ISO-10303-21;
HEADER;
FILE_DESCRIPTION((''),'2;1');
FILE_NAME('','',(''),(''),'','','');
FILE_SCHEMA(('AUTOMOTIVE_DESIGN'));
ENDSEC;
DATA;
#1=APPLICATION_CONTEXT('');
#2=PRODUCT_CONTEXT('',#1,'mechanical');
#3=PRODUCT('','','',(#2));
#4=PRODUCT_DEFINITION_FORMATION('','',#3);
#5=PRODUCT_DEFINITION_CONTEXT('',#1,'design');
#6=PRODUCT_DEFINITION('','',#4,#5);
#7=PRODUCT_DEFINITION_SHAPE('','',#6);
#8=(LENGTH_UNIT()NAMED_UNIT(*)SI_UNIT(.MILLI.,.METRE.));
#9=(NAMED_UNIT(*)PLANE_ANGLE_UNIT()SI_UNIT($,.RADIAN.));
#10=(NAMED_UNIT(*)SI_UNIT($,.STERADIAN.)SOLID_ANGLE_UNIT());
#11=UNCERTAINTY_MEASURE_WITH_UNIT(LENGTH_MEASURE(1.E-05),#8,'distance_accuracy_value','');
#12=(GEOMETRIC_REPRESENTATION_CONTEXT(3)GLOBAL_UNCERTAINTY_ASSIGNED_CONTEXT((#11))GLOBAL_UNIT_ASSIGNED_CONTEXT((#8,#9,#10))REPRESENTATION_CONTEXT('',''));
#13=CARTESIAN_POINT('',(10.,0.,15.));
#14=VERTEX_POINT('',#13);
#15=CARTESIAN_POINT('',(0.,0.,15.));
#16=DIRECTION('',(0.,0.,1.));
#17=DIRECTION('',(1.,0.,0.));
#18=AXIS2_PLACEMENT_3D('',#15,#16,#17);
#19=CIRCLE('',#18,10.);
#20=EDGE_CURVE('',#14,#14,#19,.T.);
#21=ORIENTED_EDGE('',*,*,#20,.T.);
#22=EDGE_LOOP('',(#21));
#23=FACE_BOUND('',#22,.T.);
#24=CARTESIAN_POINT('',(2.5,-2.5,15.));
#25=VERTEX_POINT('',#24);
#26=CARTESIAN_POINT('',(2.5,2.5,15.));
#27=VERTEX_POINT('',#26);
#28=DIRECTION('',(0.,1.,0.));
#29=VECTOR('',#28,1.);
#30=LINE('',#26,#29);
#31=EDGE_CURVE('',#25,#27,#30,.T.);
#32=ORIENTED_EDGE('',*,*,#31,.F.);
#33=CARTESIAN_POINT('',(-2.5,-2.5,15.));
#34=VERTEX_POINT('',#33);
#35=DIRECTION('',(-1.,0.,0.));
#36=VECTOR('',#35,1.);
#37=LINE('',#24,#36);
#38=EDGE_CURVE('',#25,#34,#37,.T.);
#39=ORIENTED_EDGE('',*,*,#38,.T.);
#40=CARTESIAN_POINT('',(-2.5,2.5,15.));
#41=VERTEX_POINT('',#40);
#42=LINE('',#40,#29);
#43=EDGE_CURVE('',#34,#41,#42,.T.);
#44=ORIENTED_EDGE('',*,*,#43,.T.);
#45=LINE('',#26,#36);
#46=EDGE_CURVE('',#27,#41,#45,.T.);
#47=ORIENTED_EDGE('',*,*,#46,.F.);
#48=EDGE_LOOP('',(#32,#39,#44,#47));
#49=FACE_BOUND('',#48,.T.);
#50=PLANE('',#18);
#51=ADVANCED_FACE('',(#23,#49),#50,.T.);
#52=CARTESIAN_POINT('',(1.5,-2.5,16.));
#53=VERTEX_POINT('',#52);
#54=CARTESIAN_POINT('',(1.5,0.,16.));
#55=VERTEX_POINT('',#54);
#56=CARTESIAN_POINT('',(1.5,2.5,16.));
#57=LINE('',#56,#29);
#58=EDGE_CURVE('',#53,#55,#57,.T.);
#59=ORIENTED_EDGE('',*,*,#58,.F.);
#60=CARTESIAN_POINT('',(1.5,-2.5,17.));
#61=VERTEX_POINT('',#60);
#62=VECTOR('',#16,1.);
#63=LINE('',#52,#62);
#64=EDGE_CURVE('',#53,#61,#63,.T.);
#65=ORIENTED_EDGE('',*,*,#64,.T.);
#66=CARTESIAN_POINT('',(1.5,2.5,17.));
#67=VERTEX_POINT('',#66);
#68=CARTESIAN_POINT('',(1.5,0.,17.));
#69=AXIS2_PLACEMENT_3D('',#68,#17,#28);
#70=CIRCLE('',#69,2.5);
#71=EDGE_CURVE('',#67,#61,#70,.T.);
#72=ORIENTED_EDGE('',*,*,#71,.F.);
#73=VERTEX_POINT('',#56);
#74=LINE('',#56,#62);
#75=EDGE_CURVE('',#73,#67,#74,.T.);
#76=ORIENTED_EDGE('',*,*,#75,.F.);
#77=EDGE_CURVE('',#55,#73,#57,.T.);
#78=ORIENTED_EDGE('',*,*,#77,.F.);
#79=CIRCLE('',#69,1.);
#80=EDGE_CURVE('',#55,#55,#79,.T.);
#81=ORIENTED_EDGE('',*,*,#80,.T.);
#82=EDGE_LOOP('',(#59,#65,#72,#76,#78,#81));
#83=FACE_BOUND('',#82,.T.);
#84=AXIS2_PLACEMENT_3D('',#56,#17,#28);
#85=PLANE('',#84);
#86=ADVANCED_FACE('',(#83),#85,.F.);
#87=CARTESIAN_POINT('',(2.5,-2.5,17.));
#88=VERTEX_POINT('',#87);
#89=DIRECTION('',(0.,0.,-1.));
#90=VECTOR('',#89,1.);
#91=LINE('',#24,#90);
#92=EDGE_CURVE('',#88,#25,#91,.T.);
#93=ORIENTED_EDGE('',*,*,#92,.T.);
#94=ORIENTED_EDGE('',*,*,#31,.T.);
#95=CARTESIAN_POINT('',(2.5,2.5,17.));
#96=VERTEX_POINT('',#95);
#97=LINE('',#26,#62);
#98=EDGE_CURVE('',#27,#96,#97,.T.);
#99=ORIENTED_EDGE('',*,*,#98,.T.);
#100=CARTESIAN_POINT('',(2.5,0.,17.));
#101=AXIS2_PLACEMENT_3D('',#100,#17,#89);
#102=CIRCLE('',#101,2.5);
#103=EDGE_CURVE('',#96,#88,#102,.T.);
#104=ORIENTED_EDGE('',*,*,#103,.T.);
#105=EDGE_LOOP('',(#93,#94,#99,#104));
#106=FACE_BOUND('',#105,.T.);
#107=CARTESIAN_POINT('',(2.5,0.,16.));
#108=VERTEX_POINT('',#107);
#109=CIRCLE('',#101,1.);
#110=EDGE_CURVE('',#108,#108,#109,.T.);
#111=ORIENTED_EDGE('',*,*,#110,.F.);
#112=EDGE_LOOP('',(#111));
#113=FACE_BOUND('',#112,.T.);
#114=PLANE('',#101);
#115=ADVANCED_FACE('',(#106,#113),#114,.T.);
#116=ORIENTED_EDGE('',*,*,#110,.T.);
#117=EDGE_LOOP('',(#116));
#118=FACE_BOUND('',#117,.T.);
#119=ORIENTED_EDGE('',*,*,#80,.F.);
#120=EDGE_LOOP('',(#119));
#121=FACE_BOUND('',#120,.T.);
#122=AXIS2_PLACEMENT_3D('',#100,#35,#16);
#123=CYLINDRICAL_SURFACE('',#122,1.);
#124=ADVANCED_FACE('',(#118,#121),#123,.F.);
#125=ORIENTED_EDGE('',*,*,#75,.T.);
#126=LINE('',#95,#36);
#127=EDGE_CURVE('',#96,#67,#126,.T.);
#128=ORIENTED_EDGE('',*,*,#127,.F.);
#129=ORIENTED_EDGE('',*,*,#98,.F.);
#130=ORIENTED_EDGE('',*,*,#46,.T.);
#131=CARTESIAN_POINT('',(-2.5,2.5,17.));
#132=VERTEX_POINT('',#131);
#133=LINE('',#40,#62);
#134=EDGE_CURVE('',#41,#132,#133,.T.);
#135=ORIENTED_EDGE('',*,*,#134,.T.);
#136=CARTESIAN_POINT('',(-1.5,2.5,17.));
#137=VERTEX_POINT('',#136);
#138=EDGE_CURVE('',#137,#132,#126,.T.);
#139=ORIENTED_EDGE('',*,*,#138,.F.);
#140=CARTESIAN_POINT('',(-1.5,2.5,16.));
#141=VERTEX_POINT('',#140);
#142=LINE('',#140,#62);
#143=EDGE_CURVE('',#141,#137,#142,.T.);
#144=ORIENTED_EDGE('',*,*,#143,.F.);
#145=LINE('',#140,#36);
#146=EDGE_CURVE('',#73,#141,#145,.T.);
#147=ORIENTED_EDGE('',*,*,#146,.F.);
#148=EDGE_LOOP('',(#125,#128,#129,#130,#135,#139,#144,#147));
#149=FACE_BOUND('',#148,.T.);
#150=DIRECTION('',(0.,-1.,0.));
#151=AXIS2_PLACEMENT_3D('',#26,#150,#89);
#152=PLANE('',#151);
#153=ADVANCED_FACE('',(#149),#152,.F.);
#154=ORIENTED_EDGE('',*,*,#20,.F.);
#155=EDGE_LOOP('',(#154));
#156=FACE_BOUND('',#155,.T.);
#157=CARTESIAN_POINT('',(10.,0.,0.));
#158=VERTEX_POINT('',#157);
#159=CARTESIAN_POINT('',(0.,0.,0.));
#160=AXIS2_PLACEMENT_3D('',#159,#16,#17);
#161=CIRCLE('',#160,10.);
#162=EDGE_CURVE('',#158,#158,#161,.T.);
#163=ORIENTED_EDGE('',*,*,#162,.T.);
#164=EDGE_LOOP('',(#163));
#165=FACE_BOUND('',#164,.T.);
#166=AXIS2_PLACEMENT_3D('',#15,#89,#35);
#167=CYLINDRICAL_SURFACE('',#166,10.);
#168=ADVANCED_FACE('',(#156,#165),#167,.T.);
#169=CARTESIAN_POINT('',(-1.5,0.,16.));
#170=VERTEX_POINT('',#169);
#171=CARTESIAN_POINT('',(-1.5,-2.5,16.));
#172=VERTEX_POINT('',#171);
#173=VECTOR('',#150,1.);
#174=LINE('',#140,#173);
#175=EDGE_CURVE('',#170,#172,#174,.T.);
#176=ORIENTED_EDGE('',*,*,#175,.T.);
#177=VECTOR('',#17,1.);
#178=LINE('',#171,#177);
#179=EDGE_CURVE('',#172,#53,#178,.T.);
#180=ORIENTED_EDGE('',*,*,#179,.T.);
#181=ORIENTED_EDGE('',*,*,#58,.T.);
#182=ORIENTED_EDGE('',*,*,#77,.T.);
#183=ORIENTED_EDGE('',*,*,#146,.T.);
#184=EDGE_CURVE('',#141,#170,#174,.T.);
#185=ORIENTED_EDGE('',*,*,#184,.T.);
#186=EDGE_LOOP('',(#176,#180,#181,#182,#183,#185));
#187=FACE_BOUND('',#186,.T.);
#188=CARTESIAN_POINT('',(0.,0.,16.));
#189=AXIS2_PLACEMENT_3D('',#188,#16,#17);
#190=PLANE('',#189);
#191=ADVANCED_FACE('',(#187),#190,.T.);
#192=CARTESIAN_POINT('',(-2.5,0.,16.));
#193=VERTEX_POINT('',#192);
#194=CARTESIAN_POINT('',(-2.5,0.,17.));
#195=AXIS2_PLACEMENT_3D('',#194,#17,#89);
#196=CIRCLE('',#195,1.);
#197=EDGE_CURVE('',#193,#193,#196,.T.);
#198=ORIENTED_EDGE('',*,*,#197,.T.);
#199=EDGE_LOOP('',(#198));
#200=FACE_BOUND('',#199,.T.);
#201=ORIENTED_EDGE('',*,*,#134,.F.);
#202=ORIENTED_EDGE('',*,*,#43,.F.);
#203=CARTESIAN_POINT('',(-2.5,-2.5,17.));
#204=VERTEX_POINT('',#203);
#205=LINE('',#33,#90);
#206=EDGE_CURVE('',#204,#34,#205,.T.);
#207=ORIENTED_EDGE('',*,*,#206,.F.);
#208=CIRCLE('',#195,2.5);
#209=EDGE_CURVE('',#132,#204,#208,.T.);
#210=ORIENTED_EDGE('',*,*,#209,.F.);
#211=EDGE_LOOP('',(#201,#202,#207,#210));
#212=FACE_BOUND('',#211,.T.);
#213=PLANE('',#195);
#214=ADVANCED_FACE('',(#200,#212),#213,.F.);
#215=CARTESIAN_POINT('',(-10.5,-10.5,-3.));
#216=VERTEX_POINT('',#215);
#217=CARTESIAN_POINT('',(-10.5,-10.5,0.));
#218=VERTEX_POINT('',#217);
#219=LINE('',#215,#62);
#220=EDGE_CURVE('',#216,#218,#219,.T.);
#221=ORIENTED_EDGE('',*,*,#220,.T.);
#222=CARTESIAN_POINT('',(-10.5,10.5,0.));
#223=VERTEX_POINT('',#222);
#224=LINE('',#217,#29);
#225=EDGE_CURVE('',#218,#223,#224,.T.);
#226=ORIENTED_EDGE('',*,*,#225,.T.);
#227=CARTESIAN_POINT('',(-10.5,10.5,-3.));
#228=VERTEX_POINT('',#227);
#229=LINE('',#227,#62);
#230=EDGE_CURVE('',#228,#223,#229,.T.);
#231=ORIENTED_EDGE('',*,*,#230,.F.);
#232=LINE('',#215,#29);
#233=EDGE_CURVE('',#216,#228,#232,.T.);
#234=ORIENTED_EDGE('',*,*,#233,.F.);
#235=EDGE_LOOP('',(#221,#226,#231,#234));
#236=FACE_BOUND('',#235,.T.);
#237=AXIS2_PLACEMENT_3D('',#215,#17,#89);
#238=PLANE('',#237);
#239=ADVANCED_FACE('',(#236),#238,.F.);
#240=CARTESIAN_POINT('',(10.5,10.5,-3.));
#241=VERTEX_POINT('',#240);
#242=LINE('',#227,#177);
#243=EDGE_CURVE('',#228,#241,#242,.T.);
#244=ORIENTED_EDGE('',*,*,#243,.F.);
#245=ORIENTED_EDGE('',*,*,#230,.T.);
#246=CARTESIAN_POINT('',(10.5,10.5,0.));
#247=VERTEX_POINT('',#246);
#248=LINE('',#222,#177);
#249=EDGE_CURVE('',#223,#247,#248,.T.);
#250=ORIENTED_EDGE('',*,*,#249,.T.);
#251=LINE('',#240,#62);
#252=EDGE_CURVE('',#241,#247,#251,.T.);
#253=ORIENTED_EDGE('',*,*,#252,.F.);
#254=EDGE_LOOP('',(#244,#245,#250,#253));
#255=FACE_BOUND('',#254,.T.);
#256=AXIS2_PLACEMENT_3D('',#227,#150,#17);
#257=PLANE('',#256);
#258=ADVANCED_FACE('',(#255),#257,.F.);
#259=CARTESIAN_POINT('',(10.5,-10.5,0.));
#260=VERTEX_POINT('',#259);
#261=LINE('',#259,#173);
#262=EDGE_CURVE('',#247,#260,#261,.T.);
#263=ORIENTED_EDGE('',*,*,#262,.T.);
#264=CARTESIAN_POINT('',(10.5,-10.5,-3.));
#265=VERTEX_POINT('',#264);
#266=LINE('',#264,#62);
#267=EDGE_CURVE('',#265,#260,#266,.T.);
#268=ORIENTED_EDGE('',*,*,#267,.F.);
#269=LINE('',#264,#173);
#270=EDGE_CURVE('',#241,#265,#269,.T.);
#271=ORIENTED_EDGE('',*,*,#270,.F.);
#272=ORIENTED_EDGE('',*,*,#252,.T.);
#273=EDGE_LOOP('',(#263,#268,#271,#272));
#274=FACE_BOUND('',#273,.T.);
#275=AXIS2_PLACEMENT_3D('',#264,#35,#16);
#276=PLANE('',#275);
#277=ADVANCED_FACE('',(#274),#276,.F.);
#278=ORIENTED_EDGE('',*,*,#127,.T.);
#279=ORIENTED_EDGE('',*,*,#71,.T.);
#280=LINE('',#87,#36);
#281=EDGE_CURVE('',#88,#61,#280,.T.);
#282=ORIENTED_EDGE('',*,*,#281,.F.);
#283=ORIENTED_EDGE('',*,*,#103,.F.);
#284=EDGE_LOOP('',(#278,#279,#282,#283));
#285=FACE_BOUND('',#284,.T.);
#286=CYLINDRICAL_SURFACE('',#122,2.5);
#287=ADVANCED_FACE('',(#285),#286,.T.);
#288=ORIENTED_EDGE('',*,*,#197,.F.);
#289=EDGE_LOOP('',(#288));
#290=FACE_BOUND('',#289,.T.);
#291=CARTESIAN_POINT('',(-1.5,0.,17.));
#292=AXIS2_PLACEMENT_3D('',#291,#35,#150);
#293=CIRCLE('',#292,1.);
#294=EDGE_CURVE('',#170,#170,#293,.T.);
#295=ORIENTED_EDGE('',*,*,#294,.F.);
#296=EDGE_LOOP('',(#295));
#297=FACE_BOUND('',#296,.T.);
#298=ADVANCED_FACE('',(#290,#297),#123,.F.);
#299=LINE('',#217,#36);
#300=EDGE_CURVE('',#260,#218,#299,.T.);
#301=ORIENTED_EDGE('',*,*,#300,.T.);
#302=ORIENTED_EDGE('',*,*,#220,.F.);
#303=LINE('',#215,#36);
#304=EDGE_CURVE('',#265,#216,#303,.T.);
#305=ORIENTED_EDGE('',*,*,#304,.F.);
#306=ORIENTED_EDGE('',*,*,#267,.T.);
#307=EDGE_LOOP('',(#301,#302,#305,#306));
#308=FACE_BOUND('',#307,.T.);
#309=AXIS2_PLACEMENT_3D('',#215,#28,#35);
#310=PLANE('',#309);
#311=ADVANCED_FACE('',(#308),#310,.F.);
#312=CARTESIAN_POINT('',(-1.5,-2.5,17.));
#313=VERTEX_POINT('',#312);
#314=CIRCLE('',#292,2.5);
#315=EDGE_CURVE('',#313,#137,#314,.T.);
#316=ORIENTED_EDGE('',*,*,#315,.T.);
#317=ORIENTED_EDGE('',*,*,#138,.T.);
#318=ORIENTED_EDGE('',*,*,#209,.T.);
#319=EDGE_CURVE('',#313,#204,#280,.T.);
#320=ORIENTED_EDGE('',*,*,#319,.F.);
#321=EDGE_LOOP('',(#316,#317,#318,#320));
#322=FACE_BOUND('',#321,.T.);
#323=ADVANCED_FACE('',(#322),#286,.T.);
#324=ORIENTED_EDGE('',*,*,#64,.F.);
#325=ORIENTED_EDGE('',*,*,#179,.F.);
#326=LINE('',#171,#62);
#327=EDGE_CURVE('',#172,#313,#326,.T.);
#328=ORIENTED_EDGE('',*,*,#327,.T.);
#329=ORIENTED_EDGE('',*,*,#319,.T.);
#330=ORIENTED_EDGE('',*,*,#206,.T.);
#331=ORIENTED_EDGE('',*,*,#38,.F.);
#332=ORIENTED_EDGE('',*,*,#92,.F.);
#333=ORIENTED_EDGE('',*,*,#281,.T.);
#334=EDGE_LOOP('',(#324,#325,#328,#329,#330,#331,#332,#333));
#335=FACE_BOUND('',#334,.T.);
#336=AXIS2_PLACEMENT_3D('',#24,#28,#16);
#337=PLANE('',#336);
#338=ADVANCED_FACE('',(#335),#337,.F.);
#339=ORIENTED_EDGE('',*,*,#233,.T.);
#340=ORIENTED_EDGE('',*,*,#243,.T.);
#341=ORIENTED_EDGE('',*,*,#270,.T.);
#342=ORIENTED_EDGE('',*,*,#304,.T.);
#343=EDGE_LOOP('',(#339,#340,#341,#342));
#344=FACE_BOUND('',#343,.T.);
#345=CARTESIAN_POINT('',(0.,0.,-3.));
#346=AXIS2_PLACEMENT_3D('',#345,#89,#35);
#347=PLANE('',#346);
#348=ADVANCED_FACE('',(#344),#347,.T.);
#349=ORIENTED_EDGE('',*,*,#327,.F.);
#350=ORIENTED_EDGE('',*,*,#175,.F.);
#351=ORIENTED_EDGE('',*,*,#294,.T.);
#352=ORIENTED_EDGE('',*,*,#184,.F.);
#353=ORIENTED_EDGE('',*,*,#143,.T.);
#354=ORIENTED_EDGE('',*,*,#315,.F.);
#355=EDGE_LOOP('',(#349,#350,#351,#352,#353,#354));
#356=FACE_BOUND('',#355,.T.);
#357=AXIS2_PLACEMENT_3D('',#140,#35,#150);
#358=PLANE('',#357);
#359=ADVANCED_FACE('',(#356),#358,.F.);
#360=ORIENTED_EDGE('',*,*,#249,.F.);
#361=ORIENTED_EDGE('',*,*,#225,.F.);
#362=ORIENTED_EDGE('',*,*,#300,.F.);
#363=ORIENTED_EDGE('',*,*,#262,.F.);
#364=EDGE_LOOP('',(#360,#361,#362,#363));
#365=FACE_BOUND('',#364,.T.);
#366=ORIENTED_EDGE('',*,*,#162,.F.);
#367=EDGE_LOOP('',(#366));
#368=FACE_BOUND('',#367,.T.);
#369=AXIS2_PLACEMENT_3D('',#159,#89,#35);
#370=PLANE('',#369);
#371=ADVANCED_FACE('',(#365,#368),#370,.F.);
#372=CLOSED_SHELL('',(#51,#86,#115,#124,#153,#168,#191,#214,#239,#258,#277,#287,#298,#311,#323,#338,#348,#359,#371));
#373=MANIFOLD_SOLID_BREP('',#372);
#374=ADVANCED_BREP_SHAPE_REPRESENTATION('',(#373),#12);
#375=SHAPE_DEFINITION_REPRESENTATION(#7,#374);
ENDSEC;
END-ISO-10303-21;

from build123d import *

# Parameters (mm, degrees)
SKETCH1_R           = 10
BOSS_EXTRUDE1_DEPTH = 15
SKETCH2_W           = 21
SKETCH2_H           = 21
BOSS_EXTRUDE2_DEPTH = 3
SKETCH3_R           = 1
BOSS_EXTRUDE3_DEPTH = 2.5
SKETCH4_W           = 3
SKETCH4_H           = 5
CUT_EXTRUDE1_DEPTH  = 3.5


with BuildPart() as part:
    # Sketch1 → Boss-Extrude1 (new body)
    with BuildSketch(Plane.XY):
        Circle(SKETCH1_R)
    extrude(amount=BOSS_EXTRUDE1_DEPTH)

    # Sketch2 → Boss-Extrude2 (add)
    with BuildSketch(Plane(origin=(0, 0, 0), x_dir=(-1, 0, 0), z_dir=(0, 0, -1))):
        Rectangle(SKETCH2_W, SKETCH2_H)
    extrude(amount=BOSS_EXTRUDE2_DEPTH)

    # Sketch3 → Boss-Extrude3 (add, symmetric)
    with BuildSketch(Plane(origin=(0, 0, 0), x_dir=(0, 0, -1), z_dir=(1, 0, 0))):
        with BuildLine():
            Line((-15, 2.5), (-15, -2.5))
            Line((-15, -2.5), (-17, -2.5))
            ThreePointArc((-17, -2.5), (-19.5, 0), (-17, 2.5))
            Line((-17, 2.5), (-15, 2.5))
        make_face()
        with Locations((-17, 0)):
            Circle(SKETCH3_R, mode=Mode.SUBTRACT)
    extrude(amount=BOSS_EXTRUDE3_DEPTH, both=True)

    # Sketch4 → Cut-Extrude1 (cut)
    with BuildSketch(Plane.XY.offset(19.5)):
        Rectangle(SKETCH4_W, SKETCH4_H)
    extrude(amount=-CUT_EXTRUDE1_DEPTH, mode=Mode.SUBTRACT)


solid = part.part
